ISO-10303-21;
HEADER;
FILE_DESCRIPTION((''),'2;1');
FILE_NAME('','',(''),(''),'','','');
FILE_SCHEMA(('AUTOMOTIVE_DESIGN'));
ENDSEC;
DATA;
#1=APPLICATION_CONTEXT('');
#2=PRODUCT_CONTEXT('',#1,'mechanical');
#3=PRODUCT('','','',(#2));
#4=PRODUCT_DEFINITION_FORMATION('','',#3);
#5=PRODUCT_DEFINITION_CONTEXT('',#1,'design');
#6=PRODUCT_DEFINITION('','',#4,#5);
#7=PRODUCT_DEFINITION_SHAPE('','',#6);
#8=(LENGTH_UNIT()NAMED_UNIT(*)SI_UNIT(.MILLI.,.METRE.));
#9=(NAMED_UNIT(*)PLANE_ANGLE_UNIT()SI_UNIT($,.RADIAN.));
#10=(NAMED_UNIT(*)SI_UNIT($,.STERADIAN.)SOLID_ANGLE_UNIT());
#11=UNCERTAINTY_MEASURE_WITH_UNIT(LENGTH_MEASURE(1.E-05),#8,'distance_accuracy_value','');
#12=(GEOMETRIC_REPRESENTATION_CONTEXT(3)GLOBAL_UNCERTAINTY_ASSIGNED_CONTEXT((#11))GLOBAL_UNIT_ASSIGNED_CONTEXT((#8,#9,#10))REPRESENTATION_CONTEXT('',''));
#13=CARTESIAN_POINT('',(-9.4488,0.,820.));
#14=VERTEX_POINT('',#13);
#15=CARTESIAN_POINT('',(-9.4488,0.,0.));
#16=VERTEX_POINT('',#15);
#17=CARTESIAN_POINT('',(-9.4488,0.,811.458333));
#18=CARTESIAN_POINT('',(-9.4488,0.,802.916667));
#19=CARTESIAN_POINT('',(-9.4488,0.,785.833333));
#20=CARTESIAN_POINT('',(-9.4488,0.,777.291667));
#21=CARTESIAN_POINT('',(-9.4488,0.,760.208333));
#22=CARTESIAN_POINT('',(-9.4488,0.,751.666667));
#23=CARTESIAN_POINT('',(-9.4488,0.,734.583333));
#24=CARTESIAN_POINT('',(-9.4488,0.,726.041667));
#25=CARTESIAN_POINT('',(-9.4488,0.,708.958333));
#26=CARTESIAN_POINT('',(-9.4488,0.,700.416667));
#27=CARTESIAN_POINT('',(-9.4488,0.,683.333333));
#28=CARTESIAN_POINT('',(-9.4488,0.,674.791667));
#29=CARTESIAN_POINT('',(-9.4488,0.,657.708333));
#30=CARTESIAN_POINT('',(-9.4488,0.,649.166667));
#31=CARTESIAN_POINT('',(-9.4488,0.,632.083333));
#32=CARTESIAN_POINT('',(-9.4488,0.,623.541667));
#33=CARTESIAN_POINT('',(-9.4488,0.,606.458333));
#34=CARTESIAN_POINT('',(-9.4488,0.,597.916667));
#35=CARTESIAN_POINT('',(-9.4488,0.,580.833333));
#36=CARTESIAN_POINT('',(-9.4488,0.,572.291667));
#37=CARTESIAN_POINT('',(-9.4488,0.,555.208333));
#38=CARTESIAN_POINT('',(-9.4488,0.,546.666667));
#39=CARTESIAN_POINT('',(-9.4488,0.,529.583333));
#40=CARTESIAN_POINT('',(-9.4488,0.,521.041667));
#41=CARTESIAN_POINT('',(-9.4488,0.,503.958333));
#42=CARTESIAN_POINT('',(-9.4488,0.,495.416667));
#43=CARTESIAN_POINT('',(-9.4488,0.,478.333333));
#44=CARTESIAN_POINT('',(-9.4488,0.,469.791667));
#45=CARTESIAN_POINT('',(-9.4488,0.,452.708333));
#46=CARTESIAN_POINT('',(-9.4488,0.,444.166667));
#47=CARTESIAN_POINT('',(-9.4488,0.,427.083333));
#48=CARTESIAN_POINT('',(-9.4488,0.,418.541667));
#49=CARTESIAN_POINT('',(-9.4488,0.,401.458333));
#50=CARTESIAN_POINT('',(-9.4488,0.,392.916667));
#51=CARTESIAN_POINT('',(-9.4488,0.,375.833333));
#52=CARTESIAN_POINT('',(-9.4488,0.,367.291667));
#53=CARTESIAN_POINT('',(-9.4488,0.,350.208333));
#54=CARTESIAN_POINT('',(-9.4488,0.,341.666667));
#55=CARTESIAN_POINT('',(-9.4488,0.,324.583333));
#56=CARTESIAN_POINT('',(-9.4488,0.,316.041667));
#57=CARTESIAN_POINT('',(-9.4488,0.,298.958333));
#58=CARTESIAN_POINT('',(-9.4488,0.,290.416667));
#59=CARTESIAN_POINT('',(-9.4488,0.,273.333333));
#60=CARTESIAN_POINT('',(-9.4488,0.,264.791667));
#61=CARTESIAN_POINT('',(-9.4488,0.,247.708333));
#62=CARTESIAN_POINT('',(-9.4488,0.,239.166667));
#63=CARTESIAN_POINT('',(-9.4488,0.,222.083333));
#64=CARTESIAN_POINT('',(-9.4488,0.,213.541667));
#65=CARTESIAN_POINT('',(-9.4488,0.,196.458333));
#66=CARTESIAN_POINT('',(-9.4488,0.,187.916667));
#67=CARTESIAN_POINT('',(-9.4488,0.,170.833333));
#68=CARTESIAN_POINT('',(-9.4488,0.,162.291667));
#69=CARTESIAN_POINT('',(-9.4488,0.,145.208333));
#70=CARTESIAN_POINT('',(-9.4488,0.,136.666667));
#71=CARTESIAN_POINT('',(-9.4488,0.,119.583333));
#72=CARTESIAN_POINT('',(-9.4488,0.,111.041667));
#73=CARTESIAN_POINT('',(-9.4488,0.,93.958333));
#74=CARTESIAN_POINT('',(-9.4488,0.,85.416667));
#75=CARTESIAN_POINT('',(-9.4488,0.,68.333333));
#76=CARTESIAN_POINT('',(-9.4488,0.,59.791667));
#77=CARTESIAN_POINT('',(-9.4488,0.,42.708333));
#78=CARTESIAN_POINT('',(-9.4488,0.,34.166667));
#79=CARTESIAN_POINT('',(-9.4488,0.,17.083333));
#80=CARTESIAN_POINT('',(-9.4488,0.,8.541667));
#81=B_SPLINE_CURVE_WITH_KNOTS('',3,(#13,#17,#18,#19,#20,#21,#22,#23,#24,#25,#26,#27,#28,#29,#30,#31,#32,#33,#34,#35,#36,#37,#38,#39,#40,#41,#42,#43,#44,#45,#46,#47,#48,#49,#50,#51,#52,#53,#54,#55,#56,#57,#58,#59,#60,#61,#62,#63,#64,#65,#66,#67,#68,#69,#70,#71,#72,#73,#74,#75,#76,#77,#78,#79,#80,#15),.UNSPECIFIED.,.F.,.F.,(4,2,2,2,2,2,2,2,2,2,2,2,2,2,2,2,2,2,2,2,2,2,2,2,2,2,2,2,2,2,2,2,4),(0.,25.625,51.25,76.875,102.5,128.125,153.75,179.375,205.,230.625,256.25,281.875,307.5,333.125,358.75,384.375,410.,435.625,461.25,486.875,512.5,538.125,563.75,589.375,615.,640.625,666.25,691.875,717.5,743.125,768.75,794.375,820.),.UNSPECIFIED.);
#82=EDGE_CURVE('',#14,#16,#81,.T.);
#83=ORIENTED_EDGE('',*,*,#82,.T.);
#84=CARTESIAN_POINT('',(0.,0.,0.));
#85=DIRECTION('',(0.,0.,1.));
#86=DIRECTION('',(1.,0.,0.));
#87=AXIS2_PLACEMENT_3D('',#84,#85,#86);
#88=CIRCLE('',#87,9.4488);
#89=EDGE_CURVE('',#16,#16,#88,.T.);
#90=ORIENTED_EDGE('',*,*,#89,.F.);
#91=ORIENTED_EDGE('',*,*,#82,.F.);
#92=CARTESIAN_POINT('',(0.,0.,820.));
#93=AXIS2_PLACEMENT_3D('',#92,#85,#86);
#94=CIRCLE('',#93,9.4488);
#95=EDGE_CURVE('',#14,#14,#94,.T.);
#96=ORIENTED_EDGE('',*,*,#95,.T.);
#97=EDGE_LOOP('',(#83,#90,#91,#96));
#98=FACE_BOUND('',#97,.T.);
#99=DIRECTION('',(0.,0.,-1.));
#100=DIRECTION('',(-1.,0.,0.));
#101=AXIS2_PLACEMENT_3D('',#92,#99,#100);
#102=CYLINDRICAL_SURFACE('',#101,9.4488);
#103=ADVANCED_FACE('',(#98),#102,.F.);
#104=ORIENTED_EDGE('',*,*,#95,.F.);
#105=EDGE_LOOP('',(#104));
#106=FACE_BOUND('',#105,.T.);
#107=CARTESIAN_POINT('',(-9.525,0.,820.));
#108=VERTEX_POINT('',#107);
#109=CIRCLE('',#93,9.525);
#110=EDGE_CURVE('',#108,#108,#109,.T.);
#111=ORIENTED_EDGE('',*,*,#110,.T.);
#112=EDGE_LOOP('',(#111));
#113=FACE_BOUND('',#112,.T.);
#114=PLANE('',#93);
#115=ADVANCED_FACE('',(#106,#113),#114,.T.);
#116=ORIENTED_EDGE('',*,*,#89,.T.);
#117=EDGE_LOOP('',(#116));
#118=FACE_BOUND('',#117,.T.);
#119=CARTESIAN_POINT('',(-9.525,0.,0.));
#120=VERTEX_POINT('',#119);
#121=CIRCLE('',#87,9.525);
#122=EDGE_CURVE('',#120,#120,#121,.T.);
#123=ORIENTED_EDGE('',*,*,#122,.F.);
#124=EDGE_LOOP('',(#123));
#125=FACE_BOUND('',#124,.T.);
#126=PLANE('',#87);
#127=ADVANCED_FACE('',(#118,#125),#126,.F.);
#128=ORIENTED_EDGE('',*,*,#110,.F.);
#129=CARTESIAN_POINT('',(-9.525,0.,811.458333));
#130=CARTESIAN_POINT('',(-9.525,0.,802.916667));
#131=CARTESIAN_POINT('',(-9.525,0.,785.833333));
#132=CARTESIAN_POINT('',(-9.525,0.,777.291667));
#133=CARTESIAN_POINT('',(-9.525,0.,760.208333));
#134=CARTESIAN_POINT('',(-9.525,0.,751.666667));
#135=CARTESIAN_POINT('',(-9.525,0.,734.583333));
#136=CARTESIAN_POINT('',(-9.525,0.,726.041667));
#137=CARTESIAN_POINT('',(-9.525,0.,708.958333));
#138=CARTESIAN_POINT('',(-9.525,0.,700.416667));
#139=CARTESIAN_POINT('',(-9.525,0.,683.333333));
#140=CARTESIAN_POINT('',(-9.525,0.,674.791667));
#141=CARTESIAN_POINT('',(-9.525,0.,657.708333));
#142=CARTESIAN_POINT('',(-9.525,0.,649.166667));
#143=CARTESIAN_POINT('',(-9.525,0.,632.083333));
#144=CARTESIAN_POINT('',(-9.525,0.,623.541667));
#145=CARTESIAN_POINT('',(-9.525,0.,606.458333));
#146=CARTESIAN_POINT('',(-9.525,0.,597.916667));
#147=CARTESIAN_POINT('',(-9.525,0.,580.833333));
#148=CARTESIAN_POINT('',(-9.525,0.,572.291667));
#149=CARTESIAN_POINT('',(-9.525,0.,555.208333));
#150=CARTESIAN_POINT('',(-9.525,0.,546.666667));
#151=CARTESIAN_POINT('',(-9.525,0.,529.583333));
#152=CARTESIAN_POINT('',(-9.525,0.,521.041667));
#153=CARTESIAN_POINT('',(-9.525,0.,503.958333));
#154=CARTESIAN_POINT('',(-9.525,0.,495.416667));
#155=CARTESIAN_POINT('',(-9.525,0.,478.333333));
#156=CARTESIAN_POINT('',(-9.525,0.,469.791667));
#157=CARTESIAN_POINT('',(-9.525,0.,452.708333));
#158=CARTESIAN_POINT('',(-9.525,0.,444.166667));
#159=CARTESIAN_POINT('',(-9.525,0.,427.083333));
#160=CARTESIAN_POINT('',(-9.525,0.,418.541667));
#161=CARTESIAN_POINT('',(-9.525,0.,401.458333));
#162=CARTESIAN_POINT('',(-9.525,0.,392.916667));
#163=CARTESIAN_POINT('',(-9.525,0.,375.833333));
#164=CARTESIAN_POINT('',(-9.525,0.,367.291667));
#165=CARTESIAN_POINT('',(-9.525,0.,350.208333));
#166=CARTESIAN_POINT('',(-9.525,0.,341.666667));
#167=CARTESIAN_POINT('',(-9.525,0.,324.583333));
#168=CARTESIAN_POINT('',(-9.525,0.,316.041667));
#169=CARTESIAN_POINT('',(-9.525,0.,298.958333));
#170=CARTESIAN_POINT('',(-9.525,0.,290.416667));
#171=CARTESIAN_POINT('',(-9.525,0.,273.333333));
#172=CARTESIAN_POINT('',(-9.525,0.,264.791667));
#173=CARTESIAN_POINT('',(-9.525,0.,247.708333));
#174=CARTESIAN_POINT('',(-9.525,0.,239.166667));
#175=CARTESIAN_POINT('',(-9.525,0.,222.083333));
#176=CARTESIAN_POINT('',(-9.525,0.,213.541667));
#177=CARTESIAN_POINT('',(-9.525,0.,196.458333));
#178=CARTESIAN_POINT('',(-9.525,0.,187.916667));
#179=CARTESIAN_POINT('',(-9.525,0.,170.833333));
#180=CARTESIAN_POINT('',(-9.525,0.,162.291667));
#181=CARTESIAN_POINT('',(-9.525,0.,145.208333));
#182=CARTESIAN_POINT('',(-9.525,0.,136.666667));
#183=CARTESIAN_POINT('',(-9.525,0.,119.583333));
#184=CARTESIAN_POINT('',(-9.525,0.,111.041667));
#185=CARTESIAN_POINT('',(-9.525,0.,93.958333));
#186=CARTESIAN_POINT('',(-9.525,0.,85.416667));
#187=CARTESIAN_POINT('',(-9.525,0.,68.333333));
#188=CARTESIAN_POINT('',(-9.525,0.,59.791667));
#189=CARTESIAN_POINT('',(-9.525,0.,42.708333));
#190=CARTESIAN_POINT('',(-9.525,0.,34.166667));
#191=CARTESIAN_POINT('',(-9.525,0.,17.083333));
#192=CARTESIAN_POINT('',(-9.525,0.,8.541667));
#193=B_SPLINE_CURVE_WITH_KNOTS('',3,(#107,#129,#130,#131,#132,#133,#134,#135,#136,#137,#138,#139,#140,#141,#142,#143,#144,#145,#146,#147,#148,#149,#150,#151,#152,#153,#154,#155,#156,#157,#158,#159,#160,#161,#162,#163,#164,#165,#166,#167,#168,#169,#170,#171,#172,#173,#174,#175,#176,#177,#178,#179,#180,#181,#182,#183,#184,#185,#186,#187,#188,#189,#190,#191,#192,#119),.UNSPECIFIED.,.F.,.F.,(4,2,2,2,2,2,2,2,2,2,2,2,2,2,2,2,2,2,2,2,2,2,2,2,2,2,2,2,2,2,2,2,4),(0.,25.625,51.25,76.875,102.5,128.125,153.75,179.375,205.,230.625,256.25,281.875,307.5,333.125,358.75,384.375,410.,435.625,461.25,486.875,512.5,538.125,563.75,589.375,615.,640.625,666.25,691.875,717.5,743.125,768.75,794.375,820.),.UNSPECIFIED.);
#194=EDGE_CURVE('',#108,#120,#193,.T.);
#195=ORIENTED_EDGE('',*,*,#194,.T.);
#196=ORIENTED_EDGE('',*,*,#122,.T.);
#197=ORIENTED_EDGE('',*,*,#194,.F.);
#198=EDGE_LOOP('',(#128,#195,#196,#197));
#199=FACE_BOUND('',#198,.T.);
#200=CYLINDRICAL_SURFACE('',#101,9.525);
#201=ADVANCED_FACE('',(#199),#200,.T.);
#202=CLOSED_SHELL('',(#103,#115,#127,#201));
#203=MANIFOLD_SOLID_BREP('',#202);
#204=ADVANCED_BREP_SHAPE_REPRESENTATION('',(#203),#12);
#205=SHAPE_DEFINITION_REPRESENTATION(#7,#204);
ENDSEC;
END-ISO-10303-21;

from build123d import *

# Parameters (mm, degrees)
SKETCH2_R           = 9.525
SKETCH2_R_2         = 9.4488
BOSS_EXTRUDE1_DEPTH = 820


with BuildPart() as part:
    # Sketch2 → Boss-Extrude1 (new body)
    with BuildSketch(Plane.XY):
        with Locations(Location((0, 0, 0), (0, 0, 180))):
            Circle(SKETCH2_R)
        with Locations(Location((0, 0, 0), (0, 0, 180))):
            Circle(SKETCH2_R_2, mode=Mode.SUBTRACT)
    extrude(amount=BOSS_EXTRUDE1_DEPTH)


solid = part.part
